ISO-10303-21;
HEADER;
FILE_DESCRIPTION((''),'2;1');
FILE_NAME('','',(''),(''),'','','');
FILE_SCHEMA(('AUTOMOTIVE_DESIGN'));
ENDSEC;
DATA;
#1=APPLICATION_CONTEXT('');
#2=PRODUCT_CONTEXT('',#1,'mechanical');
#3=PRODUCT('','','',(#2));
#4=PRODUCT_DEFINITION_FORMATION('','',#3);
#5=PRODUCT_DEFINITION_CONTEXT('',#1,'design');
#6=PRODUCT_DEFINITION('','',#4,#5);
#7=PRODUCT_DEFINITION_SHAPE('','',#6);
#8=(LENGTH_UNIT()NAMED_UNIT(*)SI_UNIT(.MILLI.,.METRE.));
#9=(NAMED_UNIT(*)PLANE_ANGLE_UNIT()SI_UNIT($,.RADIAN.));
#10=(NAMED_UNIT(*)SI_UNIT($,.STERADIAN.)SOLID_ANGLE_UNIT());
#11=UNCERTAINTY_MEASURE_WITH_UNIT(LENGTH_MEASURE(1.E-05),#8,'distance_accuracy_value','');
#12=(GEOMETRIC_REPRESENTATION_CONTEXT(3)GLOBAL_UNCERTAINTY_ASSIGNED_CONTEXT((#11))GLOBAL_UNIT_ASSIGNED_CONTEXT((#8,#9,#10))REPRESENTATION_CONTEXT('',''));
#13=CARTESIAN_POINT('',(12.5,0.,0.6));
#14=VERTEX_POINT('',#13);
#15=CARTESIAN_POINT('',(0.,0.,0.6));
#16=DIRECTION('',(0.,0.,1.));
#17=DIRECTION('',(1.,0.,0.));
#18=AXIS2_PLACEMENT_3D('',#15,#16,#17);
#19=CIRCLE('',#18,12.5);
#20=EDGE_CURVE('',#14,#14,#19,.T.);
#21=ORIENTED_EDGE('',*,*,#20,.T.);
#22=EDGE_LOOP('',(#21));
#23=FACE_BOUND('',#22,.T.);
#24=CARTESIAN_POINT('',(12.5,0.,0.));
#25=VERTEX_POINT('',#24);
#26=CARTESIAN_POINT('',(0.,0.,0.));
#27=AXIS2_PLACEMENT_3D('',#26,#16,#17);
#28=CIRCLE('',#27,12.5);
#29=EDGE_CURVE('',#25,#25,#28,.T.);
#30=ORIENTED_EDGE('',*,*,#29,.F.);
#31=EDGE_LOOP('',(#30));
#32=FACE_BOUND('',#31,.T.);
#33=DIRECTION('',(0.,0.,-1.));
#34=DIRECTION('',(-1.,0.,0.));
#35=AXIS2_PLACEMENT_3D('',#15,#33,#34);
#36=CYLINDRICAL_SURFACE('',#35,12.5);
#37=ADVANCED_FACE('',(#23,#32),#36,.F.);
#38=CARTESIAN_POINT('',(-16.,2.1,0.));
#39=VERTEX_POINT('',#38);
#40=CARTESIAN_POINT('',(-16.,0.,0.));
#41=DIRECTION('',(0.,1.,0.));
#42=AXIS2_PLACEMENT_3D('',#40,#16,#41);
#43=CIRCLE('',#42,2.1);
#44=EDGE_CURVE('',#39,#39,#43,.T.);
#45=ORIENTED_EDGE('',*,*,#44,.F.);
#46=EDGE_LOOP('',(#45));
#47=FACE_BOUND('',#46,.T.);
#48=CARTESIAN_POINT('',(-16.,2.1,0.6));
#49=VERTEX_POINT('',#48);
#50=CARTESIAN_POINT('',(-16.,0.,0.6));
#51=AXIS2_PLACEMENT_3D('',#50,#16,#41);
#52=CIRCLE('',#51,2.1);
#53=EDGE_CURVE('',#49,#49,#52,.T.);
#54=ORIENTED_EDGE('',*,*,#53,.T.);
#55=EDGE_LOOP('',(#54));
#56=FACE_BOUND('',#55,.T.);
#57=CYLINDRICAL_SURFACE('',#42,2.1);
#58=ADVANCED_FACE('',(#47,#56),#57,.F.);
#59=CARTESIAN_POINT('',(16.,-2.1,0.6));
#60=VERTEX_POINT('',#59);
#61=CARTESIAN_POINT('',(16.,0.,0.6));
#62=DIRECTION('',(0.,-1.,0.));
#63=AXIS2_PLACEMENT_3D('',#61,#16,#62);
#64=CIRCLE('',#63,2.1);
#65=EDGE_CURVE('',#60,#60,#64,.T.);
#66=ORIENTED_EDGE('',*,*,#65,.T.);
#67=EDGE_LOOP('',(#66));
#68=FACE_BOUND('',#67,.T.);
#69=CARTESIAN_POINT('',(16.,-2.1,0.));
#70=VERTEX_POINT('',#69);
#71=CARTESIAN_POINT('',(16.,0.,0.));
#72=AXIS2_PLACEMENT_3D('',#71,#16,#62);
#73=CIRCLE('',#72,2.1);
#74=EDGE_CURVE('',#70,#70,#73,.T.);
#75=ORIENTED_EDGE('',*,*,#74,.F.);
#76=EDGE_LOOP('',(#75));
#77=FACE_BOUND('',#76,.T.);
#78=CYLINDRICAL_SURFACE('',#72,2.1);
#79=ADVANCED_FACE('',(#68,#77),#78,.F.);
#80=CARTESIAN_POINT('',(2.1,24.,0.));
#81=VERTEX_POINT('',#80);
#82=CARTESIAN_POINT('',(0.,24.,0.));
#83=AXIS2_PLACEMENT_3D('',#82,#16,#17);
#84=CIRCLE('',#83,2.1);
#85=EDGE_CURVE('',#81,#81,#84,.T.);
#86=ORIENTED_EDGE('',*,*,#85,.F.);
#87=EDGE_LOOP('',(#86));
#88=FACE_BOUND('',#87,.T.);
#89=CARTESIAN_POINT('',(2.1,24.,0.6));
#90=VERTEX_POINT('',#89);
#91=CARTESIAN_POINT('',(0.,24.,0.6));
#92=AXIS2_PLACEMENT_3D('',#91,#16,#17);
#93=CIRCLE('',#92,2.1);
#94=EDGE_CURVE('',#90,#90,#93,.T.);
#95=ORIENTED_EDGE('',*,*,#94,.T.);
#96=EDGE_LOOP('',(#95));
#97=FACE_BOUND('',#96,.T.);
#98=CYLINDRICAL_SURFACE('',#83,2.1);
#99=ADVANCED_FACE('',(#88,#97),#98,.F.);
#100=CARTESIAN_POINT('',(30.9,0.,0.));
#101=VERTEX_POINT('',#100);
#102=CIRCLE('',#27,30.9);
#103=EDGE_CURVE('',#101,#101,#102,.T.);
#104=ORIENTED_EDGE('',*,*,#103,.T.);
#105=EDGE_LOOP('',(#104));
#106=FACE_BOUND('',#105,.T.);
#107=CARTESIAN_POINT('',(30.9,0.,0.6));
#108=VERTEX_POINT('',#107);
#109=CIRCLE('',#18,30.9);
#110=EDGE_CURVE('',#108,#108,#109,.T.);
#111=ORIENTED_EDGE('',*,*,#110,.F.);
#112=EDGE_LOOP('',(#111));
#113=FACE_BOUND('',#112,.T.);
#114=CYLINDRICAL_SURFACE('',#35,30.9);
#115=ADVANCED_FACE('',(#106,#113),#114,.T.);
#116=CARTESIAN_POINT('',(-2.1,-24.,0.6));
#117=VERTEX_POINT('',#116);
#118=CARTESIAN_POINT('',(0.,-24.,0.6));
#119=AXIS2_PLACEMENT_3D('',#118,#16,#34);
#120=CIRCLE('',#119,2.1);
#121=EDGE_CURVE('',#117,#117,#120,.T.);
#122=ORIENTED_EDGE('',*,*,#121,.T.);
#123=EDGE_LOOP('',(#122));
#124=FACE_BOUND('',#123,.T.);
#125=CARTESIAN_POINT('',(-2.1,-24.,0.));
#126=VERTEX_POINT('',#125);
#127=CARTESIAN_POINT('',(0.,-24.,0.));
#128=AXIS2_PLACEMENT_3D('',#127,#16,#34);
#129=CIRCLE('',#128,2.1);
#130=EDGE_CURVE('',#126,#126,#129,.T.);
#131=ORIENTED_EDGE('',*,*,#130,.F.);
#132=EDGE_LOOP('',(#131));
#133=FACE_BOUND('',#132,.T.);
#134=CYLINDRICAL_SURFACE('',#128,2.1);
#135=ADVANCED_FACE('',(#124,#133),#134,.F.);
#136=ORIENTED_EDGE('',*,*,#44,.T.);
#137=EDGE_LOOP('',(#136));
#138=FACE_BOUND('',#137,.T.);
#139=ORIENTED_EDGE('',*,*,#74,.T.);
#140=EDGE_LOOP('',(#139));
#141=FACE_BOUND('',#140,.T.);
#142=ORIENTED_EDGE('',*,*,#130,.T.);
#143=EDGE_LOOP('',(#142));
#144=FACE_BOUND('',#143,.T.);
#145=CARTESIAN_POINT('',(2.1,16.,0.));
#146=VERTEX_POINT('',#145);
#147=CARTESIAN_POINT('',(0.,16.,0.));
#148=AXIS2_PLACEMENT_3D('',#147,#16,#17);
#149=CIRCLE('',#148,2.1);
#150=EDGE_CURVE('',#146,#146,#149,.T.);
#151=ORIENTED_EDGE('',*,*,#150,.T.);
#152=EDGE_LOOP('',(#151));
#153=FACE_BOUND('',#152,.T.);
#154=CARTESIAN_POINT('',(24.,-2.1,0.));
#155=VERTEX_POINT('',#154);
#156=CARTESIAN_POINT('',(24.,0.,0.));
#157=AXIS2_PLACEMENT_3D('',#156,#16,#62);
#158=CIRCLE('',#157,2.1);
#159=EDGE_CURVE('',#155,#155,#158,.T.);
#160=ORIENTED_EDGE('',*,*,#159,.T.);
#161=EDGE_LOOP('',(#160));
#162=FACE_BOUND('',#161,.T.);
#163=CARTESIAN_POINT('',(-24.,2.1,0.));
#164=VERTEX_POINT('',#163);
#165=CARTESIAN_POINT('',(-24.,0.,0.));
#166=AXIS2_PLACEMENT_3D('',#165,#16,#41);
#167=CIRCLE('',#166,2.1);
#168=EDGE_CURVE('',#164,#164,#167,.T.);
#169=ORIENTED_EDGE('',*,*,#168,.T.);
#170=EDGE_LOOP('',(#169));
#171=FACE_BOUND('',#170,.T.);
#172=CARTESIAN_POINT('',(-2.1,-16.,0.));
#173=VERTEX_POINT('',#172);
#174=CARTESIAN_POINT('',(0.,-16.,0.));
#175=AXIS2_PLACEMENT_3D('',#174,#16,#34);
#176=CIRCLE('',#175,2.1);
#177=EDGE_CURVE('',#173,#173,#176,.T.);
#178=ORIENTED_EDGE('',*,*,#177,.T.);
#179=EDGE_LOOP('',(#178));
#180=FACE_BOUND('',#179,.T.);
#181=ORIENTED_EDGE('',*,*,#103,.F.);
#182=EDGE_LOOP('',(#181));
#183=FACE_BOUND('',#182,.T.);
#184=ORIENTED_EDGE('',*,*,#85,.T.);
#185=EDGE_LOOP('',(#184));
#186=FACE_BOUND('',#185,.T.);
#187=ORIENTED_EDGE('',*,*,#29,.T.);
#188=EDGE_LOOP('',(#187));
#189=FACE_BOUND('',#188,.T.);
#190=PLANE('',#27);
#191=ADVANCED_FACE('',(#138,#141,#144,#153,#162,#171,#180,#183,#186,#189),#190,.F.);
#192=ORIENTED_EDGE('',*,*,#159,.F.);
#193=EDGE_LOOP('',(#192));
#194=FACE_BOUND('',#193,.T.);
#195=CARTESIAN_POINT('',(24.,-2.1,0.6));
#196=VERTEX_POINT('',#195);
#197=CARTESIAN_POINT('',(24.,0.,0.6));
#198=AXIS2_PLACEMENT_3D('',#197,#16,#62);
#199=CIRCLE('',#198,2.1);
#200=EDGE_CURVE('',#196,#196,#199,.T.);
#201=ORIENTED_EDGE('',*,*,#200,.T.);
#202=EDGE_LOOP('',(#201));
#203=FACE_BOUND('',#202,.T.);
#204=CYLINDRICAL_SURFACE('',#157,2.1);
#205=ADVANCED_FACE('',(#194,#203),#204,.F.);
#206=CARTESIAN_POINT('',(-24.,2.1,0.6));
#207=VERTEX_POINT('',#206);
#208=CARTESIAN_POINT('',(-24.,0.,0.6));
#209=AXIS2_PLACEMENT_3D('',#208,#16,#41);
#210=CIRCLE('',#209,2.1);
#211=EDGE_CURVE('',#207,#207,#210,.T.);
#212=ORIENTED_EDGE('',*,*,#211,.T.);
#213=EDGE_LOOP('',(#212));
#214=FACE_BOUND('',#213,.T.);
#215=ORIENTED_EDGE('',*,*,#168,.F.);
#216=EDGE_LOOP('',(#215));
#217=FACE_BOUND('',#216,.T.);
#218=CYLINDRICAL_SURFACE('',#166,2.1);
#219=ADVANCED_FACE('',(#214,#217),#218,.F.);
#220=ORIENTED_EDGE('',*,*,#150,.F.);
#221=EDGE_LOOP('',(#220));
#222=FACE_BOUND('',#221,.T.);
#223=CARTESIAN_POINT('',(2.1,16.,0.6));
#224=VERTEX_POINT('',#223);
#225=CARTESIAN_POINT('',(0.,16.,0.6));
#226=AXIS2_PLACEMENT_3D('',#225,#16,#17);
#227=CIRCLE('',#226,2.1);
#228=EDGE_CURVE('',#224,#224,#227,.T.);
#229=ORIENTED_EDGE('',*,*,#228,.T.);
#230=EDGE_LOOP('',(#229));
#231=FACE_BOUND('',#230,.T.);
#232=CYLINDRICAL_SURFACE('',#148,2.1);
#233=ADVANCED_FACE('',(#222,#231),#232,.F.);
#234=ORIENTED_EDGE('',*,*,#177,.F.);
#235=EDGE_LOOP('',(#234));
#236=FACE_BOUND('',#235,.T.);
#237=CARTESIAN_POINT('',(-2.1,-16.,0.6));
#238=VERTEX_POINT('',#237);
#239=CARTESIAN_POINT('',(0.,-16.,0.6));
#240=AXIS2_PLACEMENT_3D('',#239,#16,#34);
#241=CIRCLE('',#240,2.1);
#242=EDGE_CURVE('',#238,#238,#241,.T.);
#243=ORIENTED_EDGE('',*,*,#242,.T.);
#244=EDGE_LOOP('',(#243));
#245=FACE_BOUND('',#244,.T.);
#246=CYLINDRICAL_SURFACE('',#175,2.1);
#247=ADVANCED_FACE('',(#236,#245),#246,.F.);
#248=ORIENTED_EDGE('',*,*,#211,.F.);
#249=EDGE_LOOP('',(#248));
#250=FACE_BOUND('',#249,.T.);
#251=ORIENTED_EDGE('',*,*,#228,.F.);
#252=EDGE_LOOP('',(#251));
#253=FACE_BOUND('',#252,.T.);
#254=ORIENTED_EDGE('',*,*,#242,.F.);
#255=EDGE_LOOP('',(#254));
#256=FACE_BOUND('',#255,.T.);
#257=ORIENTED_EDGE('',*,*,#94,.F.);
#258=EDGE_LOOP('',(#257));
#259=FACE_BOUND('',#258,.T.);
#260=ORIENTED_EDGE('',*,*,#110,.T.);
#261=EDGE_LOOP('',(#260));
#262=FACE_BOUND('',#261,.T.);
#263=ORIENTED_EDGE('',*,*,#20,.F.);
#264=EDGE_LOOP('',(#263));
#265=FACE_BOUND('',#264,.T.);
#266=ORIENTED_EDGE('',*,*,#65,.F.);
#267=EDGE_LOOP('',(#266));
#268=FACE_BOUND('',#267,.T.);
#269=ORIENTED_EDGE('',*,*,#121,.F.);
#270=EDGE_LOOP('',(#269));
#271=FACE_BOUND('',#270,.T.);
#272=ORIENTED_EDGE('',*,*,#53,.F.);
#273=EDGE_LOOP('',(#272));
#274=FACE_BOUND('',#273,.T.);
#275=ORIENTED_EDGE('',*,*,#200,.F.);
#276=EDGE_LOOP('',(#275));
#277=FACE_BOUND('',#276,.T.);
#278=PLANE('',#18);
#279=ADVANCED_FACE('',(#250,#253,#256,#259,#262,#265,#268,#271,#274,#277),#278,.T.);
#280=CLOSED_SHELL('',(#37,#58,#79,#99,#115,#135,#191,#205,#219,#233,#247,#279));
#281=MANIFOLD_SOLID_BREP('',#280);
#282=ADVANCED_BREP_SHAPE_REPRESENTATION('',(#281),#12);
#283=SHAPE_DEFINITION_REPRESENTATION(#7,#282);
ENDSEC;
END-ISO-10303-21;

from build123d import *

# Parameters (mm, degrees)
ESQUISSE1_R                  = 30.9
ESQUISSE1_R_2                = 12.5
BOSS_EXTRU_1_DEPTH           = 0.6
ESQUISSE2_R                  = 2.1
ENL_V_MAT_EXTRU_1_DEPTH      = 44.703317952
R_P_TITION_CIRCULAIRE1_COUNT = 4


with BuildPart() as part:
    # Esquisse1 → Boss.-Extru.1 (new body)
    with BuildSketch(Plane.XY):
        Circle(ESQUISSE1_R)
        Circle(ESQUISSE1_R_2, mode=Mode.SUBTRACT)
    extrude(amount=BOSS_EXTRU_1_DEPTH)

    # Esquisse2 → Enlèv. mat.-Extru.1 (cut, through all)
    with BuildSketch(Plane.XY.offset(0.6)):
        with Locations((0, 16)):
            Circle(ESQUISSE2_R)
        with Locations((0, 24)):
            Circle(ESQUISSE2_R)
    enl_v_mat_extru_1 = extrude(amount=-ENL_V_MAT_EXTRU_1_DEPTH, mode=Mode.SUBTRACT)

    # Répétition circulaire1: Enlèv. mat.-Extru.1 ×4 about axis
    r_p_tition_circulaire1_axis = Axis((0, 0, 0), (0, 0, 1))
    for i in range(1, R_P_TITION_CIRCULAIRE1_COUNT):
        add(enl_v_mat_extru_1.rotate(r_p_tition_circulaire1_axis, i * 360 / R_P_TITION_CIRCULAIRE1_COUNT), mode=Mode.SUBTRACT)


solid = part.part
